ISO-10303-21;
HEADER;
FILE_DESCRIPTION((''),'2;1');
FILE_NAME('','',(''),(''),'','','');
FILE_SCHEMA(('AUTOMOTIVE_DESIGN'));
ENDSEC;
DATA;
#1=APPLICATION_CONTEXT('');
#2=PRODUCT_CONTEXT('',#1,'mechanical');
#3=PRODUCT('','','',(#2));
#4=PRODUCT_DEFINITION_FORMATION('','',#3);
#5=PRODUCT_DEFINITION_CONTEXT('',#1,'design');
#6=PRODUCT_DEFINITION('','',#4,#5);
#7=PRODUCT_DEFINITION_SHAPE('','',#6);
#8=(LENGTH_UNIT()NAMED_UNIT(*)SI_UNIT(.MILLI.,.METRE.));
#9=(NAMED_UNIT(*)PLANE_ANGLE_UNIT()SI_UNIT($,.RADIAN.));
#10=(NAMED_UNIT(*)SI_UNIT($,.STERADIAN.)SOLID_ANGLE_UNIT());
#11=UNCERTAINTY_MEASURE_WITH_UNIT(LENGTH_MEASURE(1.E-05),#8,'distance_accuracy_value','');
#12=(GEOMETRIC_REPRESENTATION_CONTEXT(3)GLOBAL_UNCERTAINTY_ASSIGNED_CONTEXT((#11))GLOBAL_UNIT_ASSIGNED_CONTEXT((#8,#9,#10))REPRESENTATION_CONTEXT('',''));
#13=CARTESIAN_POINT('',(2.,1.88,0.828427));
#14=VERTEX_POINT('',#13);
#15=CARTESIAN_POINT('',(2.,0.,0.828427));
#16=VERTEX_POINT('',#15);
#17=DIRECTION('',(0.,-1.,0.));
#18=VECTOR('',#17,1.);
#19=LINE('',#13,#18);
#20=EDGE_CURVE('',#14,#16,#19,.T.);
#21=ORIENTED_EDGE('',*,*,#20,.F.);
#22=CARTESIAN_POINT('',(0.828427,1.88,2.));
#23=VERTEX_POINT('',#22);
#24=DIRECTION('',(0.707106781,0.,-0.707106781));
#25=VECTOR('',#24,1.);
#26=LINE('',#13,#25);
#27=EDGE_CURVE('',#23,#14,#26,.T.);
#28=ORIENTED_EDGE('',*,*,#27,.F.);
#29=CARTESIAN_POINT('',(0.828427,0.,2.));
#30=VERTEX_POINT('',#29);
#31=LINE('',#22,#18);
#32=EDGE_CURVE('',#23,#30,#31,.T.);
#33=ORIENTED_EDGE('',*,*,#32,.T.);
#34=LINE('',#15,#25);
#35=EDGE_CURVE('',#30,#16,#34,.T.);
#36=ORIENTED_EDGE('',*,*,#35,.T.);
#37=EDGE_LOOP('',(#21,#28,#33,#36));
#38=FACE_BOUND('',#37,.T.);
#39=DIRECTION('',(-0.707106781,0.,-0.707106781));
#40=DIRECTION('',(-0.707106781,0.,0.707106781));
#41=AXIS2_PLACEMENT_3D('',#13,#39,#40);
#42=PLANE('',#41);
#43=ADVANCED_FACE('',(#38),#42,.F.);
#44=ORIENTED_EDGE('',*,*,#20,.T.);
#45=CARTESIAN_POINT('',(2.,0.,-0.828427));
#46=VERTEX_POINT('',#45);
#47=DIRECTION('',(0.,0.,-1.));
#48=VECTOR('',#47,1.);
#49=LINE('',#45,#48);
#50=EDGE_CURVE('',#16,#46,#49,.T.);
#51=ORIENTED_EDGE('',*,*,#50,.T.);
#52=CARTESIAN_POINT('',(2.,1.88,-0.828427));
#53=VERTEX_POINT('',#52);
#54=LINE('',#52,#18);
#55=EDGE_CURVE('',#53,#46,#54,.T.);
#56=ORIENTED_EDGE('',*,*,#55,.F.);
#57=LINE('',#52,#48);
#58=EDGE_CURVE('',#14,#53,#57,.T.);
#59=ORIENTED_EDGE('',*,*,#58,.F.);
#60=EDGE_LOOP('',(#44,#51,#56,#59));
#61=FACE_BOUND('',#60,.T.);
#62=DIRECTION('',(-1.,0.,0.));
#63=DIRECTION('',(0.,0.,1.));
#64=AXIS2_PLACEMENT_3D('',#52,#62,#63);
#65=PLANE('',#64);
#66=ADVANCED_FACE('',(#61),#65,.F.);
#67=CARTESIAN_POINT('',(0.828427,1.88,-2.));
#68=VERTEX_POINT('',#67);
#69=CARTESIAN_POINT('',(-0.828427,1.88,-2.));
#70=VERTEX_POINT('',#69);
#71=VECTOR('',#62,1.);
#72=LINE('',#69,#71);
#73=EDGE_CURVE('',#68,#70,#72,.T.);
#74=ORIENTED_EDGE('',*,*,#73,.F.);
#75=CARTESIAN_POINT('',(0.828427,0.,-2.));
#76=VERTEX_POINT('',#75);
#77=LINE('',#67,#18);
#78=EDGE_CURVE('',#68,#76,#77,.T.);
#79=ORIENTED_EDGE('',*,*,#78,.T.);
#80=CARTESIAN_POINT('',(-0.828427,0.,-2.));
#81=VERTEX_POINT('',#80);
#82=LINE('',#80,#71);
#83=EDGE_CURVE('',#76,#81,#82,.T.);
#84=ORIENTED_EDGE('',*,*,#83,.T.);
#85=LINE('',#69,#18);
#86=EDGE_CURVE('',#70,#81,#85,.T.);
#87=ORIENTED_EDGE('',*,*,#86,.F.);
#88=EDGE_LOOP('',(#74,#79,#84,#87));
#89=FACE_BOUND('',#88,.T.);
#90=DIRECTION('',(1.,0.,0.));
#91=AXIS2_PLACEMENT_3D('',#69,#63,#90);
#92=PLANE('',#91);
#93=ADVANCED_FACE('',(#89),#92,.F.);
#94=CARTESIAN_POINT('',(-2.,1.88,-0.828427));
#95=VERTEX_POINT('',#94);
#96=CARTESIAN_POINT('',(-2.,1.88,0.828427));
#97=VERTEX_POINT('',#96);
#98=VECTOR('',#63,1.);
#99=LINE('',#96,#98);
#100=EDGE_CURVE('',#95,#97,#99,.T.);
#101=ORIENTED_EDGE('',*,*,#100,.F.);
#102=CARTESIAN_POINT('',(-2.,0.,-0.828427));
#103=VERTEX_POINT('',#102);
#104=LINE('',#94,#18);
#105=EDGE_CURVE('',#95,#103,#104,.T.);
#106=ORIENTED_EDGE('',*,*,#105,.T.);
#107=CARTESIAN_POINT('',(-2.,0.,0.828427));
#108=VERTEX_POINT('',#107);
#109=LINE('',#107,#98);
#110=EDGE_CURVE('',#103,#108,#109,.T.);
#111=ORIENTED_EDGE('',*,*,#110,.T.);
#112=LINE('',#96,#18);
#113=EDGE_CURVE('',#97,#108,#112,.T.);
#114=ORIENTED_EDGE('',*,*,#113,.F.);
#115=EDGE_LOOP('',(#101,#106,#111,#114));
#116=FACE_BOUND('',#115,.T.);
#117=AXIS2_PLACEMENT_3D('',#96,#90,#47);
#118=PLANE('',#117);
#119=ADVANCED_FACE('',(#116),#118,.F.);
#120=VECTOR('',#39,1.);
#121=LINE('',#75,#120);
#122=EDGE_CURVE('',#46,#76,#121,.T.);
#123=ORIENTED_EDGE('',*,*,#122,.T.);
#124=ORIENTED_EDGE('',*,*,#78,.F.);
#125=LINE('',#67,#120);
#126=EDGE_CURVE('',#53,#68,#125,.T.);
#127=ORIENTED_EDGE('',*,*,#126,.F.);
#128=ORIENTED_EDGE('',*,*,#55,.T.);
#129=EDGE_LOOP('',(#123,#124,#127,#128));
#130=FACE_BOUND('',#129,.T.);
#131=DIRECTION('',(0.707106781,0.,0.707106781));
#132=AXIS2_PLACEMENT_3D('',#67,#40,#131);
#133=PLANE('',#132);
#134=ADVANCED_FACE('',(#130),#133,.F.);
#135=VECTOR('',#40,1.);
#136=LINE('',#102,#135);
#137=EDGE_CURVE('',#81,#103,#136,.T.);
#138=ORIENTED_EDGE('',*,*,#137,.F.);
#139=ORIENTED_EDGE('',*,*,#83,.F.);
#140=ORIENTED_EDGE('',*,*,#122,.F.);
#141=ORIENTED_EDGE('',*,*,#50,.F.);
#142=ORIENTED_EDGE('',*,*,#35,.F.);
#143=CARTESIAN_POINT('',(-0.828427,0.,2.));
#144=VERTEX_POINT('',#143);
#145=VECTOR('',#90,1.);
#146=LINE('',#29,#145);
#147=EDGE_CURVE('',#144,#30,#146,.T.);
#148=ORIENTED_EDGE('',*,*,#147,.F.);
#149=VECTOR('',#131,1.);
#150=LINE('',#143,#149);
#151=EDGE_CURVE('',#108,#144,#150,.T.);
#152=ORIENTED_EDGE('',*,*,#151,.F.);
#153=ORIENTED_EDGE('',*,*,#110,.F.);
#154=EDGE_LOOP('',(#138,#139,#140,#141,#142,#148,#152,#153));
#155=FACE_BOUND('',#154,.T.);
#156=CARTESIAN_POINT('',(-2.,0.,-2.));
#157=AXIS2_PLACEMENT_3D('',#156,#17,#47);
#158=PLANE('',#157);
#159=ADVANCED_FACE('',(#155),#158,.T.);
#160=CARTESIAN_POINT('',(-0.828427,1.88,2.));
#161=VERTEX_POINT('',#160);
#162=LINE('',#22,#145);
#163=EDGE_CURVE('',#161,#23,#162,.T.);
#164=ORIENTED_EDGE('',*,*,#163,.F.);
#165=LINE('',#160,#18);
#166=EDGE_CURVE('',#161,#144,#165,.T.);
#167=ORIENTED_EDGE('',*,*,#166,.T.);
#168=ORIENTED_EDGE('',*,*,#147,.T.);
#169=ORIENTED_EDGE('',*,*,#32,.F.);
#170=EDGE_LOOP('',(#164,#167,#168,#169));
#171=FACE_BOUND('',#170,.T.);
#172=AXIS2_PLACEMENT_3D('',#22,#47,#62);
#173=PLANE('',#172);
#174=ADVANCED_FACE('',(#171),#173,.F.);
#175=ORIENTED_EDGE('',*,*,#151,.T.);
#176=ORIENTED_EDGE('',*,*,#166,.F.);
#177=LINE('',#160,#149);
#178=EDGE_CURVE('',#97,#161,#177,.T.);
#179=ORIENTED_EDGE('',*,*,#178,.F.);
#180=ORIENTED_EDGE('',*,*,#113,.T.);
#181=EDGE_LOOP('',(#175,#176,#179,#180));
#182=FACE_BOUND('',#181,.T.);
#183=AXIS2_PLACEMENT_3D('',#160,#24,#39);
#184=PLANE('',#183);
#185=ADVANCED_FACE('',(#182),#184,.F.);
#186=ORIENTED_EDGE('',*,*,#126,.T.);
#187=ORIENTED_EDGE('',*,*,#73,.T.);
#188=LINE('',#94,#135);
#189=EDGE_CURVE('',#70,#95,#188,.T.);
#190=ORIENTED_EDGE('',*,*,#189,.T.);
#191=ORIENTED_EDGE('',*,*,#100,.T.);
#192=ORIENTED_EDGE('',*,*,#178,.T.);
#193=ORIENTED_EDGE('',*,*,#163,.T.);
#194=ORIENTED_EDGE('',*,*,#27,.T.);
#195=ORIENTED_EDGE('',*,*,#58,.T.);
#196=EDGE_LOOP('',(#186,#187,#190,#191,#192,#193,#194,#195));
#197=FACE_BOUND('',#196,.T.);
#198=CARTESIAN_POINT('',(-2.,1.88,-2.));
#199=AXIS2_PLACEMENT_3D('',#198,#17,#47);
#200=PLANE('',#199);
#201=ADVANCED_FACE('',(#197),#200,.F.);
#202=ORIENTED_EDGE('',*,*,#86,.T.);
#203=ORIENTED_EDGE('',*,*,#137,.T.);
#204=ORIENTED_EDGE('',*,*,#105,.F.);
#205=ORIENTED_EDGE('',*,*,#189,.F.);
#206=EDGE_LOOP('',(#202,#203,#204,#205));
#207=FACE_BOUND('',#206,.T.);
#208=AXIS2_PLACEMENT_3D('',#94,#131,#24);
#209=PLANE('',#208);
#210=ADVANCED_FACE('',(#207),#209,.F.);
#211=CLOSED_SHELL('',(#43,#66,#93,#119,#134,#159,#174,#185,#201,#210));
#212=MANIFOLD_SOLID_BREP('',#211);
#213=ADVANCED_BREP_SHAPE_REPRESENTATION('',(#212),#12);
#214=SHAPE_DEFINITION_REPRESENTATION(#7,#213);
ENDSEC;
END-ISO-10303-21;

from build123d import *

# Parameters (mm, degrees)
EXTRUDE1_DEPTH = 1.88


with BuildPart() as part:
    # Sketch1 → Extrude1 (new body)
    with BuildSketch(Plane(origin=(0, 0, 0), x_dir=(1, 0, 0), z_dir=(0, 1, 0))):
        Polygon((-2, 0.828427125), (-0.828427125, 2), (0.828427125, 2), (2, 0.828427125), (2, -0.828427125), (0.828427125, -2), (-0.828427125, -2), (-2, -0.828427125), align=None)
    extrude(amount=EXTRUDE1_DEPTH)


solid = part.part
